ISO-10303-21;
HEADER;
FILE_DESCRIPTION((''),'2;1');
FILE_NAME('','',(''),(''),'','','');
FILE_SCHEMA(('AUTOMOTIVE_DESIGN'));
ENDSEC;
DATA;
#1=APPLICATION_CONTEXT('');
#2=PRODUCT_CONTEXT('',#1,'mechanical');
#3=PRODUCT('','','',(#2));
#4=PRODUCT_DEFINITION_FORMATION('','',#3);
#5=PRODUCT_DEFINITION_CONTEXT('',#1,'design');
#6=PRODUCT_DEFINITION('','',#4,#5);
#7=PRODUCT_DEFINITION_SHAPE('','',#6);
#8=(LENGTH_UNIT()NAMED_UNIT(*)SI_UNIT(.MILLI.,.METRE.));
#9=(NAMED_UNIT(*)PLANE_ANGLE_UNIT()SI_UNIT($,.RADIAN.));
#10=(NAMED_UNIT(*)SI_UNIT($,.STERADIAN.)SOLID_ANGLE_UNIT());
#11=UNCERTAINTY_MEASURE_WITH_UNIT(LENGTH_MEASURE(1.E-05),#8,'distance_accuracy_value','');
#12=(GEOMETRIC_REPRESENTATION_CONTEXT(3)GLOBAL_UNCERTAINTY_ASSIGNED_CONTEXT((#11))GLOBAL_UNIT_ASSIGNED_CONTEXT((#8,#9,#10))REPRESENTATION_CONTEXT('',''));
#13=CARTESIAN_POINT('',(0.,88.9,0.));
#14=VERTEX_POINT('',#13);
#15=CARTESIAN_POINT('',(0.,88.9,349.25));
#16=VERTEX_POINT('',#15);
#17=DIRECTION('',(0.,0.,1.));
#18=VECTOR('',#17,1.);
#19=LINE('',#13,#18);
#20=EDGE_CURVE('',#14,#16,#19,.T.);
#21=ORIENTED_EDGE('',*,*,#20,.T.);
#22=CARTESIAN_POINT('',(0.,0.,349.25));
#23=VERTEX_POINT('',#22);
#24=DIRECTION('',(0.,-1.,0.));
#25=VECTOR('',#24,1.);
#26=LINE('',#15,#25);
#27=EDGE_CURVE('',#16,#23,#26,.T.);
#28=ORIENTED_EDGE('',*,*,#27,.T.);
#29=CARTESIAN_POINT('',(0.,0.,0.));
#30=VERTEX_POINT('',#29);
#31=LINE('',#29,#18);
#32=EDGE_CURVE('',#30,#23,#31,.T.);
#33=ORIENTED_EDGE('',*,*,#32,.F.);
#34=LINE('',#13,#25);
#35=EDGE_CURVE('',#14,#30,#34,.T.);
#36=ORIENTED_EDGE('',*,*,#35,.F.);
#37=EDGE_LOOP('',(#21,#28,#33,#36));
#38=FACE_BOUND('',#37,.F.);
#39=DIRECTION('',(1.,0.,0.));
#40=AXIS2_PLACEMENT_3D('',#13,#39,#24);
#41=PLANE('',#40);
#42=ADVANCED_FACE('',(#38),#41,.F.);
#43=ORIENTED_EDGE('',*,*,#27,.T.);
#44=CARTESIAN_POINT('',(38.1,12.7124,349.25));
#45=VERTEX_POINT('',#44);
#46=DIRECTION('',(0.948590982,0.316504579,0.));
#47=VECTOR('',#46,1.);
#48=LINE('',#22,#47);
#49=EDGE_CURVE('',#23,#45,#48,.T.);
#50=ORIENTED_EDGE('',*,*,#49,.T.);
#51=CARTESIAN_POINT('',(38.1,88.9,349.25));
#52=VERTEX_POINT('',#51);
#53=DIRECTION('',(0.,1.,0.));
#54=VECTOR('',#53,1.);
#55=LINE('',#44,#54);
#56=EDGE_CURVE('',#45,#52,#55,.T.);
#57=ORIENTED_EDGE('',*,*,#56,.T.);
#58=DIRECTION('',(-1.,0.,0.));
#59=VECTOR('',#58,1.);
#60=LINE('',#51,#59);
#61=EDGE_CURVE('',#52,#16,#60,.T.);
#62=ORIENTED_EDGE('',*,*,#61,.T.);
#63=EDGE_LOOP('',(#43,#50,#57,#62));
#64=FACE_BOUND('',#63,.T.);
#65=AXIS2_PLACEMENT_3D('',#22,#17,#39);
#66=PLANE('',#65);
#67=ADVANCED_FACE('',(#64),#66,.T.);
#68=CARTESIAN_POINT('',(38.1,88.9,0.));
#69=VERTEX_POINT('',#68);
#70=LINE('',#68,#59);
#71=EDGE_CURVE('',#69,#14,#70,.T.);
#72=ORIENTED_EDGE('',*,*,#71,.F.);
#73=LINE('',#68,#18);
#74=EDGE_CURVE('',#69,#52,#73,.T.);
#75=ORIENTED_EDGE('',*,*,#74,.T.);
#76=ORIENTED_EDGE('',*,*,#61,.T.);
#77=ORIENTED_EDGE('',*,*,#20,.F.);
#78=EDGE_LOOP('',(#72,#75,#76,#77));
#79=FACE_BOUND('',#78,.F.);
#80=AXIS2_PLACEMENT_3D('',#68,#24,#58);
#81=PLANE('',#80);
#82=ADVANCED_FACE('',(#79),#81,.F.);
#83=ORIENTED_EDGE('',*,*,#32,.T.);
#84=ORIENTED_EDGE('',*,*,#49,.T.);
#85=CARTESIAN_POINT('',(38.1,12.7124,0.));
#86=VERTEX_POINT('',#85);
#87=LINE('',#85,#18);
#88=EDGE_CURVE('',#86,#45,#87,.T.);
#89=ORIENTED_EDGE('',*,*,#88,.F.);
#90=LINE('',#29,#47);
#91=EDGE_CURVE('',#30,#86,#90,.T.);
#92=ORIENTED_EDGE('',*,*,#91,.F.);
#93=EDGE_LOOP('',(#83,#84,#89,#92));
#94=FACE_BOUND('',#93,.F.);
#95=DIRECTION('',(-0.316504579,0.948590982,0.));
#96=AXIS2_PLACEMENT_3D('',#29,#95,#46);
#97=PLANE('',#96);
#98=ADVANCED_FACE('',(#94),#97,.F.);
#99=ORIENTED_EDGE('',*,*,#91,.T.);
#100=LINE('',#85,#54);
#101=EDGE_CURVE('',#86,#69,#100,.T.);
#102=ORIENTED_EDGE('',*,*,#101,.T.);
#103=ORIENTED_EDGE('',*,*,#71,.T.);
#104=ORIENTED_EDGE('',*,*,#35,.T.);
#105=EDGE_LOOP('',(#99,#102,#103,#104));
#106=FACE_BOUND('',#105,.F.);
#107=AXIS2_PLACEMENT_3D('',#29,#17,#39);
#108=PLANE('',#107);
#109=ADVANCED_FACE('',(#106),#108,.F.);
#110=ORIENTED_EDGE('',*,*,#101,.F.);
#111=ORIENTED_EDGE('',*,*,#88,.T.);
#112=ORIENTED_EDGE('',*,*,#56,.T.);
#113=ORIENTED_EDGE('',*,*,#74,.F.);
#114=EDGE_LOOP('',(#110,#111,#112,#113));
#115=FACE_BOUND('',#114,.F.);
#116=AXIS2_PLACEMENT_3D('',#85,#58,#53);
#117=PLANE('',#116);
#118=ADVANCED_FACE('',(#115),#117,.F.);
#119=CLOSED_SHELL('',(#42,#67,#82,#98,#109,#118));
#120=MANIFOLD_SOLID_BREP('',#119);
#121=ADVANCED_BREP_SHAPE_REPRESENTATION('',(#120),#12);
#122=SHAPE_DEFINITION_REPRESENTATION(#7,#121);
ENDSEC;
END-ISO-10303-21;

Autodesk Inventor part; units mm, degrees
ref_plane "YZ Plane" through (0, 0, 0) normal (1, 0, 0) x (0, 1, 0)
ref_plane "XZ Plane" through (0, 0, 0) normal (0, 1, 0) x (-1, 0, 0)
ref_plane "XY Plane" through (0, 0, 0) normal (0, 0, 1) x (1, 0, 0)
sketch "Sketch1" plane through (0, 0, 0) normal (0, 0, 1) x (1, 0, 0)
  line L0 (0, 0) -> (3263.9, 1089.025)
  line L1 (0, 0) -> (-88.9, 0)
  line L2 (38.1, 12.7124) -> (38.1, 88.9)
  line L3 (38.1, 88.9) -> (0, 88.9)
  line L4 (0, 88.9) -> (0, 0)
  dimension "d33" = 1089.025
  dimension "d36" = 3352.8
  dimension "d37" = 88.9
  dimension "d38" = 88.9
  dimension "d39" = 38.1
extrude "Extrusion2" add sketch "Sketch1" along normal blind 349.25
properties part number "Ceiling_Support" material "Wood (Birch)"
